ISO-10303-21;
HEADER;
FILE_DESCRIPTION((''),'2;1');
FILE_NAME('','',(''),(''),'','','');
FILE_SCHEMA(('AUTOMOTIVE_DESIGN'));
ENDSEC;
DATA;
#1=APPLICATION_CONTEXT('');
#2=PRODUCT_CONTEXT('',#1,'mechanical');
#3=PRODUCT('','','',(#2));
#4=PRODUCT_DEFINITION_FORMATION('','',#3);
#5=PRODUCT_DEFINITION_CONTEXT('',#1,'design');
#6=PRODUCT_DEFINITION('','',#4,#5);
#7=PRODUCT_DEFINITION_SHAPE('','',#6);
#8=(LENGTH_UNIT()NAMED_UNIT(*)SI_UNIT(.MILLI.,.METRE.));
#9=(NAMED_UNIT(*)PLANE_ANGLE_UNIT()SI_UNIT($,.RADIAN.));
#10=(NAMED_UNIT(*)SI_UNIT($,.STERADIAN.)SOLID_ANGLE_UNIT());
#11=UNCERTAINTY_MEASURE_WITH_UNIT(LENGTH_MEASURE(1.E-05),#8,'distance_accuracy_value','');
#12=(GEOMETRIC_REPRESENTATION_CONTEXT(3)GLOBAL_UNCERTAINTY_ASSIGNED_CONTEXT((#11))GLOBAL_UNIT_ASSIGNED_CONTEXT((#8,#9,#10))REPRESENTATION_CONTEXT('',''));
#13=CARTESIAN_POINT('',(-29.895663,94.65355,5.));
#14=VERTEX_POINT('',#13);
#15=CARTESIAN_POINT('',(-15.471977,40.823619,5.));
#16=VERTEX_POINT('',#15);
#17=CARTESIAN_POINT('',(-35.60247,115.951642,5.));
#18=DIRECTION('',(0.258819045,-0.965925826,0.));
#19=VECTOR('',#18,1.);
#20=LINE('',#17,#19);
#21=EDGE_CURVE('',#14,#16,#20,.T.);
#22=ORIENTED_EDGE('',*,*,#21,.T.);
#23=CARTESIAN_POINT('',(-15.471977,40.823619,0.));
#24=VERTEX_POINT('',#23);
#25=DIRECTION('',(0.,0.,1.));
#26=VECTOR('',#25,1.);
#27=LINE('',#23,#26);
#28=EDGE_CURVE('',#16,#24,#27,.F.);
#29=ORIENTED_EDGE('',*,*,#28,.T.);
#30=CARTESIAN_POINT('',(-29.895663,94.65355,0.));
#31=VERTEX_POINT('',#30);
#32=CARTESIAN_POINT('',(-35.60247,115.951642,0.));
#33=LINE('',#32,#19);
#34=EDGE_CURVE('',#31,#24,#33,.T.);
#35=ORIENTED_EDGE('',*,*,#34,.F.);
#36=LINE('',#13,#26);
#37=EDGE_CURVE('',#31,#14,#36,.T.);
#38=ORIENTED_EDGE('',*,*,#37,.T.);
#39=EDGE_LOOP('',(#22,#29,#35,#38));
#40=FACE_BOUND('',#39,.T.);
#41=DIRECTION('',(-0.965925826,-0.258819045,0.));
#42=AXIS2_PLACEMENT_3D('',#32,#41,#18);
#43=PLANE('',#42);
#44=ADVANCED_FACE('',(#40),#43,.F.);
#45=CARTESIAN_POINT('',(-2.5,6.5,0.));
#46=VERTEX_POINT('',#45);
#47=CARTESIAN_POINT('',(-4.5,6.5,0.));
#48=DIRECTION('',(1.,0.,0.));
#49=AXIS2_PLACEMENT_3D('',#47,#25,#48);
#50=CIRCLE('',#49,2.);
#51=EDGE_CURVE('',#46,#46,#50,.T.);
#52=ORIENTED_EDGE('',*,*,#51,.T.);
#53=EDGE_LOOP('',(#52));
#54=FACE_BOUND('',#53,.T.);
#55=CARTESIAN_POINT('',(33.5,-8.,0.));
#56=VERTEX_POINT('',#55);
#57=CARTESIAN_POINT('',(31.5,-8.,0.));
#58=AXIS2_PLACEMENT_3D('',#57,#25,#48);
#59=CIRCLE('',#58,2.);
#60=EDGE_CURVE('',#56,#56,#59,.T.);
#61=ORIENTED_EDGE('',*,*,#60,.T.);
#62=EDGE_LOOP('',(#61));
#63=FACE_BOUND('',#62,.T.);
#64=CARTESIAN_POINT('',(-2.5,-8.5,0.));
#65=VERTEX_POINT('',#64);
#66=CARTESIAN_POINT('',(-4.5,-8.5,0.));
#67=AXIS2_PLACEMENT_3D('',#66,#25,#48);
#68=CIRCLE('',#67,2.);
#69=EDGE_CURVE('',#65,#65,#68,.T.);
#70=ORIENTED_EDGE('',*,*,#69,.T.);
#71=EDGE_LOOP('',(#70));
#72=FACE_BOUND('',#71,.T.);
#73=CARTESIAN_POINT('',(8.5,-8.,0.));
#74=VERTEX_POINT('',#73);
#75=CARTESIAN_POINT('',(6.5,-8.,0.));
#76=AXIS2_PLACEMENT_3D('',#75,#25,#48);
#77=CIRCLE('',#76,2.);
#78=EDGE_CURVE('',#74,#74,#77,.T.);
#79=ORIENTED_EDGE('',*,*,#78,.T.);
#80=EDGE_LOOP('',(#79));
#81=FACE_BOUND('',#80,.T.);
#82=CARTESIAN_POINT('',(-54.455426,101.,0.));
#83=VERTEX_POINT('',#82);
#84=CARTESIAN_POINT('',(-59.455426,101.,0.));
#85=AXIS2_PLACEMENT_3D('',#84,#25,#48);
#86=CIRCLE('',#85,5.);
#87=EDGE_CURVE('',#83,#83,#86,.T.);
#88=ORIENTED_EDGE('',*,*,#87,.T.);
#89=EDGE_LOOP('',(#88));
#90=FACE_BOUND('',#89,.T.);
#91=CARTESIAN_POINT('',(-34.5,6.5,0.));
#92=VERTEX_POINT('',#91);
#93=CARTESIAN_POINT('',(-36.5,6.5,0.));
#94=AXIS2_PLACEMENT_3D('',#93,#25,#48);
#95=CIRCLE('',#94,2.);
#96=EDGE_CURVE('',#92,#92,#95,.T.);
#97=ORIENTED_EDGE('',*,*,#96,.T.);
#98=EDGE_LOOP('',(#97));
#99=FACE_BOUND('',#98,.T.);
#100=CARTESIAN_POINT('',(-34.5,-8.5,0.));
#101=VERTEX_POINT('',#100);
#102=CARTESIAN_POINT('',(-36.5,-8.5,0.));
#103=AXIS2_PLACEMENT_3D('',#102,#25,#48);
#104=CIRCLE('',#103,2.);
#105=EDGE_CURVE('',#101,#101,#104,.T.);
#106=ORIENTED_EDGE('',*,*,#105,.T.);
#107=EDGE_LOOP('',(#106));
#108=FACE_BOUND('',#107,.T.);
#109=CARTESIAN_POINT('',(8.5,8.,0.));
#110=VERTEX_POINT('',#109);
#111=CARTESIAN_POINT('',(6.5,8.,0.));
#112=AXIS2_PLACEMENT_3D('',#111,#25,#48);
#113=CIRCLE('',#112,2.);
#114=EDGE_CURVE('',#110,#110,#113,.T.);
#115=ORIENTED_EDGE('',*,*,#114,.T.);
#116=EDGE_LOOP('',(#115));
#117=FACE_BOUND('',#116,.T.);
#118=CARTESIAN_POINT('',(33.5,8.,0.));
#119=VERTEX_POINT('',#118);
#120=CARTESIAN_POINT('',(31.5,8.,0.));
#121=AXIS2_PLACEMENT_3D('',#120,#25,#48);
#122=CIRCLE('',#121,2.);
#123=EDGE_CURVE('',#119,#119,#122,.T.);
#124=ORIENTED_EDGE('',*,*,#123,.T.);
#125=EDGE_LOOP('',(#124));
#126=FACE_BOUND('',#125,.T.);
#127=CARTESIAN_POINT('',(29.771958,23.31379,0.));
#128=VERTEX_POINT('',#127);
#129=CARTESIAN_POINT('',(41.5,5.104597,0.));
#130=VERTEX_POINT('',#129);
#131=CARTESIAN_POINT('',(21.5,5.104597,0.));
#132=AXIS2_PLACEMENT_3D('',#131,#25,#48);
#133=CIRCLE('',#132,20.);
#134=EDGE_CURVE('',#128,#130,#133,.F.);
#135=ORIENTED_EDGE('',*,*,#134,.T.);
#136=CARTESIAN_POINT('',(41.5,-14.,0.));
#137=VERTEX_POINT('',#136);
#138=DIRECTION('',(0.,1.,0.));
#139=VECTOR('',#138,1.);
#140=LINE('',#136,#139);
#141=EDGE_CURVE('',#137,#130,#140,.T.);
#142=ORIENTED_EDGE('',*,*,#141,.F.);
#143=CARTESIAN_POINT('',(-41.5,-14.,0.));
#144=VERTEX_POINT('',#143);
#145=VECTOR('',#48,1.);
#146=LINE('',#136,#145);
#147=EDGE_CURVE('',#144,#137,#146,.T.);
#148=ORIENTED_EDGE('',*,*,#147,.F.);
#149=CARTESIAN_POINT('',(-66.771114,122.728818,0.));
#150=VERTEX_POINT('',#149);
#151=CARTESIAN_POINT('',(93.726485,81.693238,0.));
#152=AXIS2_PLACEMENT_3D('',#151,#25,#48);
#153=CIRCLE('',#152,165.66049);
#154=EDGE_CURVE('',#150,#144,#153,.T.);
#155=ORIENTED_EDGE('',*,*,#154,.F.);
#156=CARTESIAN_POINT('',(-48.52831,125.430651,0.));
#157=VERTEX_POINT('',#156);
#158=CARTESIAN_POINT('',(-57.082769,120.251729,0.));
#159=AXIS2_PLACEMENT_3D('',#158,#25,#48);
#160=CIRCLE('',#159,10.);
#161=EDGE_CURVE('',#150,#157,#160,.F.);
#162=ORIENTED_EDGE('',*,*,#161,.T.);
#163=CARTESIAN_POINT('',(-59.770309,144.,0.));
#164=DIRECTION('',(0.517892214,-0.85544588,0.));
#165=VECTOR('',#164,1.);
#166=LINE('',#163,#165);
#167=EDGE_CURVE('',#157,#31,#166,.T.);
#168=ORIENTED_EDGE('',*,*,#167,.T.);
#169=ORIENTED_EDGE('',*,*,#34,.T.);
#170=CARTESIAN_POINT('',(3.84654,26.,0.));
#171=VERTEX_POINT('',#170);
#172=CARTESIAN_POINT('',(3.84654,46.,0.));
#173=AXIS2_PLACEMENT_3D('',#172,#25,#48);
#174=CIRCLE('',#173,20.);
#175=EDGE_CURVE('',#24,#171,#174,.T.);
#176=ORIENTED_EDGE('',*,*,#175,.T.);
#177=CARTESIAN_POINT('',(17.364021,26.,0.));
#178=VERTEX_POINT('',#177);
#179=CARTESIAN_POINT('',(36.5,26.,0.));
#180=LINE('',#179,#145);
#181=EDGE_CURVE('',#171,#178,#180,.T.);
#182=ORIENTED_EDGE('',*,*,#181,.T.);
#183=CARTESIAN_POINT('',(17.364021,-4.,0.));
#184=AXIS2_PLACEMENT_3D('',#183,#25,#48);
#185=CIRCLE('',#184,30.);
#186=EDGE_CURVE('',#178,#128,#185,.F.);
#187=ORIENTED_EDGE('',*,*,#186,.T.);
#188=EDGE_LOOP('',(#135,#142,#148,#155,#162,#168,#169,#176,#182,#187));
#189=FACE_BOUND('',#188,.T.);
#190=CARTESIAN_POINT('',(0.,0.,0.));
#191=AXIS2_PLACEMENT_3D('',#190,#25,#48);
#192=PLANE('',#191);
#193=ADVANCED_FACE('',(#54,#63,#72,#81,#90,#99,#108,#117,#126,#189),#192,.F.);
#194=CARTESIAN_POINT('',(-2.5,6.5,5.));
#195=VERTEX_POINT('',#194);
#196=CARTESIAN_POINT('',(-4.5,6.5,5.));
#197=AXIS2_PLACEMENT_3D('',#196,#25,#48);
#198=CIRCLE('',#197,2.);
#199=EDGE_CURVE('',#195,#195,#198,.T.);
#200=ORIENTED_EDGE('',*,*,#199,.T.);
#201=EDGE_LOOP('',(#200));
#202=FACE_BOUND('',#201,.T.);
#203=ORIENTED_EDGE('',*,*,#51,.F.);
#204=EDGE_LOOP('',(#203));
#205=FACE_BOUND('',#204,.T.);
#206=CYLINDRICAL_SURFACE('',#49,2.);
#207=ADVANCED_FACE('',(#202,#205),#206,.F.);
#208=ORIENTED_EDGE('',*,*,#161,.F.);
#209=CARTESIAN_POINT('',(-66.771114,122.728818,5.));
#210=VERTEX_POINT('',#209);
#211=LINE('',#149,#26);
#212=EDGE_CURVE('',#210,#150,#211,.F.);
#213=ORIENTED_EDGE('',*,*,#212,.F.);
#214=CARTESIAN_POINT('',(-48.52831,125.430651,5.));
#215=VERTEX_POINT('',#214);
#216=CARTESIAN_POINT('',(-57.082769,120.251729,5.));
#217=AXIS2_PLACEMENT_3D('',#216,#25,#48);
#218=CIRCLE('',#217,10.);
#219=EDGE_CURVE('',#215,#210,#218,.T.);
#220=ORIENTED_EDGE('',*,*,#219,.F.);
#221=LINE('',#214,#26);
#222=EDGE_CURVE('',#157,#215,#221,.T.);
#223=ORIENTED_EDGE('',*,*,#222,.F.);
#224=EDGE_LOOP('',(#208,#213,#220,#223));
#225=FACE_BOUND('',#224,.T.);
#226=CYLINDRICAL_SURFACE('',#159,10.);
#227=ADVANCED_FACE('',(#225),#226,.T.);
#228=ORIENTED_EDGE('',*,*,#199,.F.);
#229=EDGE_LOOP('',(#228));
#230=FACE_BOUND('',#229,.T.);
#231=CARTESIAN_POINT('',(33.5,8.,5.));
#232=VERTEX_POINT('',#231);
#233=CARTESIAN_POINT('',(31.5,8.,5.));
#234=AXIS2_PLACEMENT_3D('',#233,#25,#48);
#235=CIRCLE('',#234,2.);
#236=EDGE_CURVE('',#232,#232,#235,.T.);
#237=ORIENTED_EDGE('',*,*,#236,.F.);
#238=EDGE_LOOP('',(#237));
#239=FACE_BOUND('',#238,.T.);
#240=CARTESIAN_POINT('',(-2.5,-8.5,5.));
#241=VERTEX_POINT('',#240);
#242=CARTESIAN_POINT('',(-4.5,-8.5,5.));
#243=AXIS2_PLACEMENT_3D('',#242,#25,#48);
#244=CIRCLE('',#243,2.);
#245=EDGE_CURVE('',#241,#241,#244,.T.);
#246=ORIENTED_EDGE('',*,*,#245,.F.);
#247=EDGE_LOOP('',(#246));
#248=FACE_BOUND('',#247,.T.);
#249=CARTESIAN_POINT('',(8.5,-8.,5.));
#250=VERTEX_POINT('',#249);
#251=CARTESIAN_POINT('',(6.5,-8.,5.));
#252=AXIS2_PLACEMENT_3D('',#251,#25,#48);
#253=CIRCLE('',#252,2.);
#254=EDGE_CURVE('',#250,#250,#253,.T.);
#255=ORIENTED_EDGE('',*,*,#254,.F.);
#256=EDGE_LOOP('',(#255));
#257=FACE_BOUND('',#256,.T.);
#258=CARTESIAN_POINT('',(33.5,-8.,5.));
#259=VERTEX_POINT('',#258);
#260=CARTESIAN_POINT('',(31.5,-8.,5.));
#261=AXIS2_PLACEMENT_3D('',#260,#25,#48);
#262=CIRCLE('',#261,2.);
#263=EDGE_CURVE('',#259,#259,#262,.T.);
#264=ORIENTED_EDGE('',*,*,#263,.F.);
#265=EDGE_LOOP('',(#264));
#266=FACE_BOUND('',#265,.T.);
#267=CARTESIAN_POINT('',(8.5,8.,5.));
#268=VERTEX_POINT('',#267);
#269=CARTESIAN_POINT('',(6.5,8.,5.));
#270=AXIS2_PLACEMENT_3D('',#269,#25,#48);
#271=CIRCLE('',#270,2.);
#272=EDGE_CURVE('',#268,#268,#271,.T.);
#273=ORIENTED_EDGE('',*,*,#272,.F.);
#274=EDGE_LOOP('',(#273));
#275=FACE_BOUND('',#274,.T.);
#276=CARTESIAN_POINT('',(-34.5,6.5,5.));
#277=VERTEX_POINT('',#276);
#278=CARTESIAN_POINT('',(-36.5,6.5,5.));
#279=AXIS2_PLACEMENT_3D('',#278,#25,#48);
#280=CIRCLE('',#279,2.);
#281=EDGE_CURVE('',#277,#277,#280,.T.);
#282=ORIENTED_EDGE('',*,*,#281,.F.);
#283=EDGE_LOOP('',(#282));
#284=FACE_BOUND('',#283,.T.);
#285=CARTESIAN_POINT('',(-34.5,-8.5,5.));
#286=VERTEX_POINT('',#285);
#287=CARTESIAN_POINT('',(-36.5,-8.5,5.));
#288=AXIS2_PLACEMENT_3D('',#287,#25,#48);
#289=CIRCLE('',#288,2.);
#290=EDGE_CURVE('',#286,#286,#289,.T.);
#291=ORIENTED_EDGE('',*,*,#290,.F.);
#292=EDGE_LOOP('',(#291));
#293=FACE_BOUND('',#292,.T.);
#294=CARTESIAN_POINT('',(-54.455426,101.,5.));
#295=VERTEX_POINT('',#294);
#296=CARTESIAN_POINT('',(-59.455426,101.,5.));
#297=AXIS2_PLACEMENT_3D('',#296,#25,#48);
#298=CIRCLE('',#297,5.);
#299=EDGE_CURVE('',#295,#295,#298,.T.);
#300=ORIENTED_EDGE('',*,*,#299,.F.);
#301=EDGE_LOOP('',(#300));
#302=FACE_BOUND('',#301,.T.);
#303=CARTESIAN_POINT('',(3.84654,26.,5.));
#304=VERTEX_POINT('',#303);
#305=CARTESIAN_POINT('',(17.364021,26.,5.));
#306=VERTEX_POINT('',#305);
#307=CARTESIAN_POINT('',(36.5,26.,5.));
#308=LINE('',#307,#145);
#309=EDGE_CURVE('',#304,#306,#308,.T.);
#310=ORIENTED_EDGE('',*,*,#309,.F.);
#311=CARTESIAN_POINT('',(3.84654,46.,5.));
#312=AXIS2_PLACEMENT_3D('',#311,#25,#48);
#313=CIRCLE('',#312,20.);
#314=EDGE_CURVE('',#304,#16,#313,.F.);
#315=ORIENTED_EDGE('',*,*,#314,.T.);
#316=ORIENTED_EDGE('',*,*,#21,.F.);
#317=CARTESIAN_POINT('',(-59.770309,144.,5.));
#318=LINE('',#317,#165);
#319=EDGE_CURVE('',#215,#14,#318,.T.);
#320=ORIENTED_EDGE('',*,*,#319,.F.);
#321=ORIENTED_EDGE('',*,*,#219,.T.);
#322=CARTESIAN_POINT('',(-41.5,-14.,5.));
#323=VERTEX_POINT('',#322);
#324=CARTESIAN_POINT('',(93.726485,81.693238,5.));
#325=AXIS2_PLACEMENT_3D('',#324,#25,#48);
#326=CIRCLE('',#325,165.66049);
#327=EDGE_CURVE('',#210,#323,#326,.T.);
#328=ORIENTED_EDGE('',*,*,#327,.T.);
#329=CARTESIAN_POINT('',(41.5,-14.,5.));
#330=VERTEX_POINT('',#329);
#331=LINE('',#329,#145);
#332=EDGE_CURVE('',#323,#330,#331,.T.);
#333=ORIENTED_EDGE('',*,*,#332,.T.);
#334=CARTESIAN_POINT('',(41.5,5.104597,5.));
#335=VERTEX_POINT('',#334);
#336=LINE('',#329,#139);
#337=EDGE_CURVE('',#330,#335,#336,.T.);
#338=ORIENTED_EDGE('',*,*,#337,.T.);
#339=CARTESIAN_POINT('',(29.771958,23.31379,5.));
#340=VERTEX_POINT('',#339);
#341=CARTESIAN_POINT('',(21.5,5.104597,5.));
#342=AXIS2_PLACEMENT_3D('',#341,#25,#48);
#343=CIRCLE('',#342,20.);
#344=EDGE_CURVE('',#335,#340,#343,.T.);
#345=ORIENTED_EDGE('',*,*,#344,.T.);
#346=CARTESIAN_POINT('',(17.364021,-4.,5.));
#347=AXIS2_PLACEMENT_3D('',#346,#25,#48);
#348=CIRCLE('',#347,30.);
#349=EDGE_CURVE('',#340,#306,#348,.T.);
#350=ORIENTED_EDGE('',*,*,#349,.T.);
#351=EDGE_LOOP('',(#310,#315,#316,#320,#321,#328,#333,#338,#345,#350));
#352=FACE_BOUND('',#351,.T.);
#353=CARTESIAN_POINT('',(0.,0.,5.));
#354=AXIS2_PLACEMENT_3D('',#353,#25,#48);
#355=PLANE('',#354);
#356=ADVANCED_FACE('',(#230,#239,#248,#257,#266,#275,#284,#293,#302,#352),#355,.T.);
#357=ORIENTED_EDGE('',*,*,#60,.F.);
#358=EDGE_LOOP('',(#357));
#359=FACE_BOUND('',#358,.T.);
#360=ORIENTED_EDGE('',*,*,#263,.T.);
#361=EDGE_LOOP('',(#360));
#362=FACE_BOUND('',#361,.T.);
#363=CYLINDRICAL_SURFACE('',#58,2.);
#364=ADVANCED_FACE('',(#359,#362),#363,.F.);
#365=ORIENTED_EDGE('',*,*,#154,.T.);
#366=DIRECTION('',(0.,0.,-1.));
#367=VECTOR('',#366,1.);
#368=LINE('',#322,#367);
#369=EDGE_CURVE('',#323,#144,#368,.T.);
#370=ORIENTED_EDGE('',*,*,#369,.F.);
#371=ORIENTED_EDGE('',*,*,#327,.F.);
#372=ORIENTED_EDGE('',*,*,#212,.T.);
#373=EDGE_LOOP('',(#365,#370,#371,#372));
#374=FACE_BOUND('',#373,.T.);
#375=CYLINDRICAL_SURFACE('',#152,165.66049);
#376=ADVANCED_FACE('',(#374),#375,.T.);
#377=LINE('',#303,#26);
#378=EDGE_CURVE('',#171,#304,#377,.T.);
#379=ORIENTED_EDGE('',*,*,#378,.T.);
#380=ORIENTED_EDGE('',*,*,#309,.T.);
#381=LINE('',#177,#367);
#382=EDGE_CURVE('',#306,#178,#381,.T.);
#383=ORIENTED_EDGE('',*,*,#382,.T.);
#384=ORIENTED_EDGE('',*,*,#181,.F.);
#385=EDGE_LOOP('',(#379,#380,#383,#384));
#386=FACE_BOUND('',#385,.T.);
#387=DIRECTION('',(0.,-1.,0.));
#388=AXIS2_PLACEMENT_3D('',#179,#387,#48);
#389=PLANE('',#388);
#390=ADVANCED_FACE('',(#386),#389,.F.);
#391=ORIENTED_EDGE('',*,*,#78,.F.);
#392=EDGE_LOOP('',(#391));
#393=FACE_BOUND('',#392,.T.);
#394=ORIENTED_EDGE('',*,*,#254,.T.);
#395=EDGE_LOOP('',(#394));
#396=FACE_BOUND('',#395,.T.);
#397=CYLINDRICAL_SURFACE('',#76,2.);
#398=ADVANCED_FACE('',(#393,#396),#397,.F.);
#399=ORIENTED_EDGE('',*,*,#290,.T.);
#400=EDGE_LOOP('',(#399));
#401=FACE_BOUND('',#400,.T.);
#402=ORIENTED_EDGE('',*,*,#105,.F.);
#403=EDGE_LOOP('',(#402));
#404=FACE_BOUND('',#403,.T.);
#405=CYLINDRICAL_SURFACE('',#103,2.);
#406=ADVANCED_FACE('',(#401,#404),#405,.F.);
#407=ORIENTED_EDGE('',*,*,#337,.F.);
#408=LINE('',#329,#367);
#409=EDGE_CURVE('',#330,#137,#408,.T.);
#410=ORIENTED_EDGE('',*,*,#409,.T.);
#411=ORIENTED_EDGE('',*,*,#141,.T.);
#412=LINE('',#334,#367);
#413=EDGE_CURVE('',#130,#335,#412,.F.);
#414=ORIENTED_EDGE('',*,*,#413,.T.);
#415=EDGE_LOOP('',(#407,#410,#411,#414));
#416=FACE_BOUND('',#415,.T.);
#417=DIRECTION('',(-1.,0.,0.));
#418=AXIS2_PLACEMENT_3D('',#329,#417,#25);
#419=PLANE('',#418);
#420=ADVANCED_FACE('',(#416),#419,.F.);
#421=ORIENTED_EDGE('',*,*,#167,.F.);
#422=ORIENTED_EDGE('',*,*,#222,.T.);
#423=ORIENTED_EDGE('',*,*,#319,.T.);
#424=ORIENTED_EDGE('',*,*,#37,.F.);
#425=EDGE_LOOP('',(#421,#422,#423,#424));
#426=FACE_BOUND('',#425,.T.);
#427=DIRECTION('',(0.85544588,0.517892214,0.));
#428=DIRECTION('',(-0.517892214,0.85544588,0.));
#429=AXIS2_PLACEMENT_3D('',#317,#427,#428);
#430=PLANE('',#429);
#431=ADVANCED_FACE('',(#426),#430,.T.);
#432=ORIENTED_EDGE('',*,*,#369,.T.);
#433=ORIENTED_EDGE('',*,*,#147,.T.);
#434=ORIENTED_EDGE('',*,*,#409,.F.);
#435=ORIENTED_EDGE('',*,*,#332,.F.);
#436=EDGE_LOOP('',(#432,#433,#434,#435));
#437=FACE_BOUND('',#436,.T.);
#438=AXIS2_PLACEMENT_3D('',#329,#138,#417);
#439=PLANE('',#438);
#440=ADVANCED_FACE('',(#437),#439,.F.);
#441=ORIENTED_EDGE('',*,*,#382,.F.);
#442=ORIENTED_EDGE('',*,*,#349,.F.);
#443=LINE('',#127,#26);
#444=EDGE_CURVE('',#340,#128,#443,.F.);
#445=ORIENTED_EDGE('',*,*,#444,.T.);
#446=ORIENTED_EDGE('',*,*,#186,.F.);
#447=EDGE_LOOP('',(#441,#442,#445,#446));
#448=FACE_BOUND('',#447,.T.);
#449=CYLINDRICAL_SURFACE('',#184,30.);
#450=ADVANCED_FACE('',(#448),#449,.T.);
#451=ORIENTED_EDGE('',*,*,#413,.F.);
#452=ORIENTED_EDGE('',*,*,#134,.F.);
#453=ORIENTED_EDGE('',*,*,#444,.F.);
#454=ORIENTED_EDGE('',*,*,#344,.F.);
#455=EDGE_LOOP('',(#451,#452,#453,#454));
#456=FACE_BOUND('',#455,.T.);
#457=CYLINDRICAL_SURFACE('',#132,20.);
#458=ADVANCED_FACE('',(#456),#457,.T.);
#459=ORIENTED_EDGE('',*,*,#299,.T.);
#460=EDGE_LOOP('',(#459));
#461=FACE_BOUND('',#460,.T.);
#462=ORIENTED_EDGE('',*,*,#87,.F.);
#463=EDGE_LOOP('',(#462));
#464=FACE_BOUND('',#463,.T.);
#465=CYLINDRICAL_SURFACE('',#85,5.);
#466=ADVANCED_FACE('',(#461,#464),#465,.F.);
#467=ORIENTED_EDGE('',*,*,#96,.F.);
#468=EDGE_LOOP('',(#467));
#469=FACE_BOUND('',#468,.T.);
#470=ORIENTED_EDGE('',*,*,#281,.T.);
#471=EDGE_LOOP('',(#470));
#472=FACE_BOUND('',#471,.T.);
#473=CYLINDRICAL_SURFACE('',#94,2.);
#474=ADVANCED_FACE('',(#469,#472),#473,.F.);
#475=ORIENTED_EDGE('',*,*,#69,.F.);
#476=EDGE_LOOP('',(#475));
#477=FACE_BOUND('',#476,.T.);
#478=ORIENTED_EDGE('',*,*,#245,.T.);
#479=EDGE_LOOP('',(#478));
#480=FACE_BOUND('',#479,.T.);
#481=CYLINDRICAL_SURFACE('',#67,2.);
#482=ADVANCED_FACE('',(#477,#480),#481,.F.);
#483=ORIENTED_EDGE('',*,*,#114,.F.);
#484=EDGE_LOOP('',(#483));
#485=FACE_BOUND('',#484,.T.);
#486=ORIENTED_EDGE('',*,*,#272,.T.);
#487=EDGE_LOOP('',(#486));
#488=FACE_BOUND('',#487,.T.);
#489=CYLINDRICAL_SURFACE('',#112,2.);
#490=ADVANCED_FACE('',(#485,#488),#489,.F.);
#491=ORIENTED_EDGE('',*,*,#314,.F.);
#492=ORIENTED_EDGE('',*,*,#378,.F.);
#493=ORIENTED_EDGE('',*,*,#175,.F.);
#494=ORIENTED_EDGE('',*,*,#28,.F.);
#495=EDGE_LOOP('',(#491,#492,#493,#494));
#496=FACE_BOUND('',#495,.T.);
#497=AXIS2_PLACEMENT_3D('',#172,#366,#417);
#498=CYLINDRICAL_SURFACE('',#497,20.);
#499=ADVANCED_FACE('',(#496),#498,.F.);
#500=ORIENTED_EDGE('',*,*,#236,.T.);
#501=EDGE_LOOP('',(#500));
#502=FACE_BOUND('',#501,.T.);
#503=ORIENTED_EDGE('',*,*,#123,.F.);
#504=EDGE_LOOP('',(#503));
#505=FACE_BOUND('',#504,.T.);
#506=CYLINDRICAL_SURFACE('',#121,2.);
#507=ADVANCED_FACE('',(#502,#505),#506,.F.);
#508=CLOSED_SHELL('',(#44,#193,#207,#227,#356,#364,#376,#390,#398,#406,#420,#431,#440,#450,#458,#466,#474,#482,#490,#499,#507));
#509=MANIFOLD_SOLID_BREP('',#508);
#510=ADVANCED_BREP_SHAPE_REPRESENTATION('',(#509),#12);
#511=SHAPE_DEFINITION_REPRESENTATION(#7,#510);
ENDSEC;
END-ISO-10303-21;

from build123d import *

# Parameters (mm, degrees)
SKETCH_1_W          = 83
SKETCH_1_H          = 28
EXTRUDE_1_DEPTH     = 5
SKETCH_2_R          = 2
CUT_EXTRUDE_1_DEPTH = 45.082309377
EXTRUDE_2_DEPTH     = 5
CUT_EXTRUDE_3_DEPTH = 156.991954214
FILLET_4_R          = 30
FILLET_5_R          = 20
SKETCH_6_R          = 2
CUT_EXTRUDE_4_DEPTH = 156.991954214
EXTRUDE_3_DEPTH     = 5
FILLET_7_R          = 10
SKETCH_8_R          = 5
CUT_EXTRUDE_5_DEPTH = 149.879193137
FILLET_8_R          = 20


with BuildPart() as part:
    # 草图1 → 凸台-拉伸1 (new body)
    with BuildSketch(Plane.XY):
        Rectangle(SKETCH_1_W, SKETCH_1_H)
    extrude(amount=EXTRUDE_1_DEPTH)

    # 草图2 → 切除-拉伸1 (cut, through all)
    with BuildSketch(Plane.XY.offset(5)):
        with Locations((6.5, 8)):
            Circle(SKETCH_2_R)
        with Locations((31.5, 8)):
            Circle(SKETCH_2_R)
        with Locations((31.5, -8)):
            Circle(SKETCH_2_R)
        with Locations((6.5, -8)):
            Circle(SKETCH_2_R)
    extrude(amount=-CUT_EXTRUDE_1_DEPTH, mode=Mode.SUBTRACT)

    # 草图3 → 凸台-拉伸2 (add)
    with BuildSketch(Plane(origin=(0, 0, 0), x_dir=(-1, 0, 0), z_dir=(0, 0, -1))):
        Polygon((41.5, 14), (59.770308511, 144), (29.5, 94), (-41.5, 14), align=None)
    extrude(amount=-EXTRUDE_2_DEPTH)

    # 草图5 → 切除-拉伸3 (cut, through all)
    with BuildSketch(Plane.XY.offset(5)):
        Polygon((36.5, 26), (-11.5, 26), (-35.602469952, 115.951642448), align=None)
    extrude(amount=-CUT_EXTRUDE_3_DEPTH, mode=Mode.SUBTRACT)

    # 圆角4
    fillet_4_edges = [part.edges().sort_by_distance(p)[0] for p in [
        (30.85, 26, 2.5),
    ]]
    fillet(fillet_4_edges, radius=FILLET_4_R)

    # 圆角5
    fillet_5_edges = [part.edges().sort_by_distance(p)[0] for p in [
        (-11.5, 26, 2.5),
    ]]
    fillet(fillet_5_edges, radius=FILLET_5_R)

    # 草图6 → 切除-拉伸4 (cut, through all)
    with BuildSketch(Plane.XY.offset(5)):
        with Locations((-36.5, -8.5)):
            Circle(SKETCH_6_R)
        with Locations((-4.5, -8.5)):
            Circle(SKETCH_6_R)
        with Locations((-4.5, 6.5)):
            Circle(SKETCH_6_R)
        with Locations((-36.5, 6.5)):
            Circle(SKETCH_6_R)
    extrude(amount=-CUT_EXTRUDE_4_DEPTH, mode=Mode.SUBTRACT)

    # 草图7 → 凸台-拉伸3 (add)
    with BuildSketch(Plane.XY.offset(5)):
        with BuildLine():
            Line((-41.5, 14), (-41.5, -14))
            ThreePointArc((-41.5, -14), (-70.837432371, 62.663912318), (-59.770308511, 144))
            Line((-59.770308511, 144), (-41.5, 14))
        make_face()
    extrude(amount=-EXTRUDE_3_DEPTH)

    # 圆角7
    fillet_7_edges = [part.edges().sort_by_distance(p)[0] for p in [
        (-59.770308511, 144, 2.5),
    ]]
    fillet(fillet_7_edges, radius=FILLET_7_R)

    # 草图8 → 切除-拉伸5 (cut, through all)
    with BuildSketch(Plane.XY.offset(5)):
        with Locations((-59.455425686, 101)):
            Circle(SKETCH_8_R)
    extrude(amount=-CUT_EXTRUDE_5_DEPTH, mode=Mode.SUBTRACT)

    # 圆角8
    fillet_8_edges = [part.edges().sort_by_distance(p)[0] for p in [
        (41.5, 14, 2.5),
    ]]
    fillet(fillet_8_edges, radius=FILLET_8_R)


solid = part.part
